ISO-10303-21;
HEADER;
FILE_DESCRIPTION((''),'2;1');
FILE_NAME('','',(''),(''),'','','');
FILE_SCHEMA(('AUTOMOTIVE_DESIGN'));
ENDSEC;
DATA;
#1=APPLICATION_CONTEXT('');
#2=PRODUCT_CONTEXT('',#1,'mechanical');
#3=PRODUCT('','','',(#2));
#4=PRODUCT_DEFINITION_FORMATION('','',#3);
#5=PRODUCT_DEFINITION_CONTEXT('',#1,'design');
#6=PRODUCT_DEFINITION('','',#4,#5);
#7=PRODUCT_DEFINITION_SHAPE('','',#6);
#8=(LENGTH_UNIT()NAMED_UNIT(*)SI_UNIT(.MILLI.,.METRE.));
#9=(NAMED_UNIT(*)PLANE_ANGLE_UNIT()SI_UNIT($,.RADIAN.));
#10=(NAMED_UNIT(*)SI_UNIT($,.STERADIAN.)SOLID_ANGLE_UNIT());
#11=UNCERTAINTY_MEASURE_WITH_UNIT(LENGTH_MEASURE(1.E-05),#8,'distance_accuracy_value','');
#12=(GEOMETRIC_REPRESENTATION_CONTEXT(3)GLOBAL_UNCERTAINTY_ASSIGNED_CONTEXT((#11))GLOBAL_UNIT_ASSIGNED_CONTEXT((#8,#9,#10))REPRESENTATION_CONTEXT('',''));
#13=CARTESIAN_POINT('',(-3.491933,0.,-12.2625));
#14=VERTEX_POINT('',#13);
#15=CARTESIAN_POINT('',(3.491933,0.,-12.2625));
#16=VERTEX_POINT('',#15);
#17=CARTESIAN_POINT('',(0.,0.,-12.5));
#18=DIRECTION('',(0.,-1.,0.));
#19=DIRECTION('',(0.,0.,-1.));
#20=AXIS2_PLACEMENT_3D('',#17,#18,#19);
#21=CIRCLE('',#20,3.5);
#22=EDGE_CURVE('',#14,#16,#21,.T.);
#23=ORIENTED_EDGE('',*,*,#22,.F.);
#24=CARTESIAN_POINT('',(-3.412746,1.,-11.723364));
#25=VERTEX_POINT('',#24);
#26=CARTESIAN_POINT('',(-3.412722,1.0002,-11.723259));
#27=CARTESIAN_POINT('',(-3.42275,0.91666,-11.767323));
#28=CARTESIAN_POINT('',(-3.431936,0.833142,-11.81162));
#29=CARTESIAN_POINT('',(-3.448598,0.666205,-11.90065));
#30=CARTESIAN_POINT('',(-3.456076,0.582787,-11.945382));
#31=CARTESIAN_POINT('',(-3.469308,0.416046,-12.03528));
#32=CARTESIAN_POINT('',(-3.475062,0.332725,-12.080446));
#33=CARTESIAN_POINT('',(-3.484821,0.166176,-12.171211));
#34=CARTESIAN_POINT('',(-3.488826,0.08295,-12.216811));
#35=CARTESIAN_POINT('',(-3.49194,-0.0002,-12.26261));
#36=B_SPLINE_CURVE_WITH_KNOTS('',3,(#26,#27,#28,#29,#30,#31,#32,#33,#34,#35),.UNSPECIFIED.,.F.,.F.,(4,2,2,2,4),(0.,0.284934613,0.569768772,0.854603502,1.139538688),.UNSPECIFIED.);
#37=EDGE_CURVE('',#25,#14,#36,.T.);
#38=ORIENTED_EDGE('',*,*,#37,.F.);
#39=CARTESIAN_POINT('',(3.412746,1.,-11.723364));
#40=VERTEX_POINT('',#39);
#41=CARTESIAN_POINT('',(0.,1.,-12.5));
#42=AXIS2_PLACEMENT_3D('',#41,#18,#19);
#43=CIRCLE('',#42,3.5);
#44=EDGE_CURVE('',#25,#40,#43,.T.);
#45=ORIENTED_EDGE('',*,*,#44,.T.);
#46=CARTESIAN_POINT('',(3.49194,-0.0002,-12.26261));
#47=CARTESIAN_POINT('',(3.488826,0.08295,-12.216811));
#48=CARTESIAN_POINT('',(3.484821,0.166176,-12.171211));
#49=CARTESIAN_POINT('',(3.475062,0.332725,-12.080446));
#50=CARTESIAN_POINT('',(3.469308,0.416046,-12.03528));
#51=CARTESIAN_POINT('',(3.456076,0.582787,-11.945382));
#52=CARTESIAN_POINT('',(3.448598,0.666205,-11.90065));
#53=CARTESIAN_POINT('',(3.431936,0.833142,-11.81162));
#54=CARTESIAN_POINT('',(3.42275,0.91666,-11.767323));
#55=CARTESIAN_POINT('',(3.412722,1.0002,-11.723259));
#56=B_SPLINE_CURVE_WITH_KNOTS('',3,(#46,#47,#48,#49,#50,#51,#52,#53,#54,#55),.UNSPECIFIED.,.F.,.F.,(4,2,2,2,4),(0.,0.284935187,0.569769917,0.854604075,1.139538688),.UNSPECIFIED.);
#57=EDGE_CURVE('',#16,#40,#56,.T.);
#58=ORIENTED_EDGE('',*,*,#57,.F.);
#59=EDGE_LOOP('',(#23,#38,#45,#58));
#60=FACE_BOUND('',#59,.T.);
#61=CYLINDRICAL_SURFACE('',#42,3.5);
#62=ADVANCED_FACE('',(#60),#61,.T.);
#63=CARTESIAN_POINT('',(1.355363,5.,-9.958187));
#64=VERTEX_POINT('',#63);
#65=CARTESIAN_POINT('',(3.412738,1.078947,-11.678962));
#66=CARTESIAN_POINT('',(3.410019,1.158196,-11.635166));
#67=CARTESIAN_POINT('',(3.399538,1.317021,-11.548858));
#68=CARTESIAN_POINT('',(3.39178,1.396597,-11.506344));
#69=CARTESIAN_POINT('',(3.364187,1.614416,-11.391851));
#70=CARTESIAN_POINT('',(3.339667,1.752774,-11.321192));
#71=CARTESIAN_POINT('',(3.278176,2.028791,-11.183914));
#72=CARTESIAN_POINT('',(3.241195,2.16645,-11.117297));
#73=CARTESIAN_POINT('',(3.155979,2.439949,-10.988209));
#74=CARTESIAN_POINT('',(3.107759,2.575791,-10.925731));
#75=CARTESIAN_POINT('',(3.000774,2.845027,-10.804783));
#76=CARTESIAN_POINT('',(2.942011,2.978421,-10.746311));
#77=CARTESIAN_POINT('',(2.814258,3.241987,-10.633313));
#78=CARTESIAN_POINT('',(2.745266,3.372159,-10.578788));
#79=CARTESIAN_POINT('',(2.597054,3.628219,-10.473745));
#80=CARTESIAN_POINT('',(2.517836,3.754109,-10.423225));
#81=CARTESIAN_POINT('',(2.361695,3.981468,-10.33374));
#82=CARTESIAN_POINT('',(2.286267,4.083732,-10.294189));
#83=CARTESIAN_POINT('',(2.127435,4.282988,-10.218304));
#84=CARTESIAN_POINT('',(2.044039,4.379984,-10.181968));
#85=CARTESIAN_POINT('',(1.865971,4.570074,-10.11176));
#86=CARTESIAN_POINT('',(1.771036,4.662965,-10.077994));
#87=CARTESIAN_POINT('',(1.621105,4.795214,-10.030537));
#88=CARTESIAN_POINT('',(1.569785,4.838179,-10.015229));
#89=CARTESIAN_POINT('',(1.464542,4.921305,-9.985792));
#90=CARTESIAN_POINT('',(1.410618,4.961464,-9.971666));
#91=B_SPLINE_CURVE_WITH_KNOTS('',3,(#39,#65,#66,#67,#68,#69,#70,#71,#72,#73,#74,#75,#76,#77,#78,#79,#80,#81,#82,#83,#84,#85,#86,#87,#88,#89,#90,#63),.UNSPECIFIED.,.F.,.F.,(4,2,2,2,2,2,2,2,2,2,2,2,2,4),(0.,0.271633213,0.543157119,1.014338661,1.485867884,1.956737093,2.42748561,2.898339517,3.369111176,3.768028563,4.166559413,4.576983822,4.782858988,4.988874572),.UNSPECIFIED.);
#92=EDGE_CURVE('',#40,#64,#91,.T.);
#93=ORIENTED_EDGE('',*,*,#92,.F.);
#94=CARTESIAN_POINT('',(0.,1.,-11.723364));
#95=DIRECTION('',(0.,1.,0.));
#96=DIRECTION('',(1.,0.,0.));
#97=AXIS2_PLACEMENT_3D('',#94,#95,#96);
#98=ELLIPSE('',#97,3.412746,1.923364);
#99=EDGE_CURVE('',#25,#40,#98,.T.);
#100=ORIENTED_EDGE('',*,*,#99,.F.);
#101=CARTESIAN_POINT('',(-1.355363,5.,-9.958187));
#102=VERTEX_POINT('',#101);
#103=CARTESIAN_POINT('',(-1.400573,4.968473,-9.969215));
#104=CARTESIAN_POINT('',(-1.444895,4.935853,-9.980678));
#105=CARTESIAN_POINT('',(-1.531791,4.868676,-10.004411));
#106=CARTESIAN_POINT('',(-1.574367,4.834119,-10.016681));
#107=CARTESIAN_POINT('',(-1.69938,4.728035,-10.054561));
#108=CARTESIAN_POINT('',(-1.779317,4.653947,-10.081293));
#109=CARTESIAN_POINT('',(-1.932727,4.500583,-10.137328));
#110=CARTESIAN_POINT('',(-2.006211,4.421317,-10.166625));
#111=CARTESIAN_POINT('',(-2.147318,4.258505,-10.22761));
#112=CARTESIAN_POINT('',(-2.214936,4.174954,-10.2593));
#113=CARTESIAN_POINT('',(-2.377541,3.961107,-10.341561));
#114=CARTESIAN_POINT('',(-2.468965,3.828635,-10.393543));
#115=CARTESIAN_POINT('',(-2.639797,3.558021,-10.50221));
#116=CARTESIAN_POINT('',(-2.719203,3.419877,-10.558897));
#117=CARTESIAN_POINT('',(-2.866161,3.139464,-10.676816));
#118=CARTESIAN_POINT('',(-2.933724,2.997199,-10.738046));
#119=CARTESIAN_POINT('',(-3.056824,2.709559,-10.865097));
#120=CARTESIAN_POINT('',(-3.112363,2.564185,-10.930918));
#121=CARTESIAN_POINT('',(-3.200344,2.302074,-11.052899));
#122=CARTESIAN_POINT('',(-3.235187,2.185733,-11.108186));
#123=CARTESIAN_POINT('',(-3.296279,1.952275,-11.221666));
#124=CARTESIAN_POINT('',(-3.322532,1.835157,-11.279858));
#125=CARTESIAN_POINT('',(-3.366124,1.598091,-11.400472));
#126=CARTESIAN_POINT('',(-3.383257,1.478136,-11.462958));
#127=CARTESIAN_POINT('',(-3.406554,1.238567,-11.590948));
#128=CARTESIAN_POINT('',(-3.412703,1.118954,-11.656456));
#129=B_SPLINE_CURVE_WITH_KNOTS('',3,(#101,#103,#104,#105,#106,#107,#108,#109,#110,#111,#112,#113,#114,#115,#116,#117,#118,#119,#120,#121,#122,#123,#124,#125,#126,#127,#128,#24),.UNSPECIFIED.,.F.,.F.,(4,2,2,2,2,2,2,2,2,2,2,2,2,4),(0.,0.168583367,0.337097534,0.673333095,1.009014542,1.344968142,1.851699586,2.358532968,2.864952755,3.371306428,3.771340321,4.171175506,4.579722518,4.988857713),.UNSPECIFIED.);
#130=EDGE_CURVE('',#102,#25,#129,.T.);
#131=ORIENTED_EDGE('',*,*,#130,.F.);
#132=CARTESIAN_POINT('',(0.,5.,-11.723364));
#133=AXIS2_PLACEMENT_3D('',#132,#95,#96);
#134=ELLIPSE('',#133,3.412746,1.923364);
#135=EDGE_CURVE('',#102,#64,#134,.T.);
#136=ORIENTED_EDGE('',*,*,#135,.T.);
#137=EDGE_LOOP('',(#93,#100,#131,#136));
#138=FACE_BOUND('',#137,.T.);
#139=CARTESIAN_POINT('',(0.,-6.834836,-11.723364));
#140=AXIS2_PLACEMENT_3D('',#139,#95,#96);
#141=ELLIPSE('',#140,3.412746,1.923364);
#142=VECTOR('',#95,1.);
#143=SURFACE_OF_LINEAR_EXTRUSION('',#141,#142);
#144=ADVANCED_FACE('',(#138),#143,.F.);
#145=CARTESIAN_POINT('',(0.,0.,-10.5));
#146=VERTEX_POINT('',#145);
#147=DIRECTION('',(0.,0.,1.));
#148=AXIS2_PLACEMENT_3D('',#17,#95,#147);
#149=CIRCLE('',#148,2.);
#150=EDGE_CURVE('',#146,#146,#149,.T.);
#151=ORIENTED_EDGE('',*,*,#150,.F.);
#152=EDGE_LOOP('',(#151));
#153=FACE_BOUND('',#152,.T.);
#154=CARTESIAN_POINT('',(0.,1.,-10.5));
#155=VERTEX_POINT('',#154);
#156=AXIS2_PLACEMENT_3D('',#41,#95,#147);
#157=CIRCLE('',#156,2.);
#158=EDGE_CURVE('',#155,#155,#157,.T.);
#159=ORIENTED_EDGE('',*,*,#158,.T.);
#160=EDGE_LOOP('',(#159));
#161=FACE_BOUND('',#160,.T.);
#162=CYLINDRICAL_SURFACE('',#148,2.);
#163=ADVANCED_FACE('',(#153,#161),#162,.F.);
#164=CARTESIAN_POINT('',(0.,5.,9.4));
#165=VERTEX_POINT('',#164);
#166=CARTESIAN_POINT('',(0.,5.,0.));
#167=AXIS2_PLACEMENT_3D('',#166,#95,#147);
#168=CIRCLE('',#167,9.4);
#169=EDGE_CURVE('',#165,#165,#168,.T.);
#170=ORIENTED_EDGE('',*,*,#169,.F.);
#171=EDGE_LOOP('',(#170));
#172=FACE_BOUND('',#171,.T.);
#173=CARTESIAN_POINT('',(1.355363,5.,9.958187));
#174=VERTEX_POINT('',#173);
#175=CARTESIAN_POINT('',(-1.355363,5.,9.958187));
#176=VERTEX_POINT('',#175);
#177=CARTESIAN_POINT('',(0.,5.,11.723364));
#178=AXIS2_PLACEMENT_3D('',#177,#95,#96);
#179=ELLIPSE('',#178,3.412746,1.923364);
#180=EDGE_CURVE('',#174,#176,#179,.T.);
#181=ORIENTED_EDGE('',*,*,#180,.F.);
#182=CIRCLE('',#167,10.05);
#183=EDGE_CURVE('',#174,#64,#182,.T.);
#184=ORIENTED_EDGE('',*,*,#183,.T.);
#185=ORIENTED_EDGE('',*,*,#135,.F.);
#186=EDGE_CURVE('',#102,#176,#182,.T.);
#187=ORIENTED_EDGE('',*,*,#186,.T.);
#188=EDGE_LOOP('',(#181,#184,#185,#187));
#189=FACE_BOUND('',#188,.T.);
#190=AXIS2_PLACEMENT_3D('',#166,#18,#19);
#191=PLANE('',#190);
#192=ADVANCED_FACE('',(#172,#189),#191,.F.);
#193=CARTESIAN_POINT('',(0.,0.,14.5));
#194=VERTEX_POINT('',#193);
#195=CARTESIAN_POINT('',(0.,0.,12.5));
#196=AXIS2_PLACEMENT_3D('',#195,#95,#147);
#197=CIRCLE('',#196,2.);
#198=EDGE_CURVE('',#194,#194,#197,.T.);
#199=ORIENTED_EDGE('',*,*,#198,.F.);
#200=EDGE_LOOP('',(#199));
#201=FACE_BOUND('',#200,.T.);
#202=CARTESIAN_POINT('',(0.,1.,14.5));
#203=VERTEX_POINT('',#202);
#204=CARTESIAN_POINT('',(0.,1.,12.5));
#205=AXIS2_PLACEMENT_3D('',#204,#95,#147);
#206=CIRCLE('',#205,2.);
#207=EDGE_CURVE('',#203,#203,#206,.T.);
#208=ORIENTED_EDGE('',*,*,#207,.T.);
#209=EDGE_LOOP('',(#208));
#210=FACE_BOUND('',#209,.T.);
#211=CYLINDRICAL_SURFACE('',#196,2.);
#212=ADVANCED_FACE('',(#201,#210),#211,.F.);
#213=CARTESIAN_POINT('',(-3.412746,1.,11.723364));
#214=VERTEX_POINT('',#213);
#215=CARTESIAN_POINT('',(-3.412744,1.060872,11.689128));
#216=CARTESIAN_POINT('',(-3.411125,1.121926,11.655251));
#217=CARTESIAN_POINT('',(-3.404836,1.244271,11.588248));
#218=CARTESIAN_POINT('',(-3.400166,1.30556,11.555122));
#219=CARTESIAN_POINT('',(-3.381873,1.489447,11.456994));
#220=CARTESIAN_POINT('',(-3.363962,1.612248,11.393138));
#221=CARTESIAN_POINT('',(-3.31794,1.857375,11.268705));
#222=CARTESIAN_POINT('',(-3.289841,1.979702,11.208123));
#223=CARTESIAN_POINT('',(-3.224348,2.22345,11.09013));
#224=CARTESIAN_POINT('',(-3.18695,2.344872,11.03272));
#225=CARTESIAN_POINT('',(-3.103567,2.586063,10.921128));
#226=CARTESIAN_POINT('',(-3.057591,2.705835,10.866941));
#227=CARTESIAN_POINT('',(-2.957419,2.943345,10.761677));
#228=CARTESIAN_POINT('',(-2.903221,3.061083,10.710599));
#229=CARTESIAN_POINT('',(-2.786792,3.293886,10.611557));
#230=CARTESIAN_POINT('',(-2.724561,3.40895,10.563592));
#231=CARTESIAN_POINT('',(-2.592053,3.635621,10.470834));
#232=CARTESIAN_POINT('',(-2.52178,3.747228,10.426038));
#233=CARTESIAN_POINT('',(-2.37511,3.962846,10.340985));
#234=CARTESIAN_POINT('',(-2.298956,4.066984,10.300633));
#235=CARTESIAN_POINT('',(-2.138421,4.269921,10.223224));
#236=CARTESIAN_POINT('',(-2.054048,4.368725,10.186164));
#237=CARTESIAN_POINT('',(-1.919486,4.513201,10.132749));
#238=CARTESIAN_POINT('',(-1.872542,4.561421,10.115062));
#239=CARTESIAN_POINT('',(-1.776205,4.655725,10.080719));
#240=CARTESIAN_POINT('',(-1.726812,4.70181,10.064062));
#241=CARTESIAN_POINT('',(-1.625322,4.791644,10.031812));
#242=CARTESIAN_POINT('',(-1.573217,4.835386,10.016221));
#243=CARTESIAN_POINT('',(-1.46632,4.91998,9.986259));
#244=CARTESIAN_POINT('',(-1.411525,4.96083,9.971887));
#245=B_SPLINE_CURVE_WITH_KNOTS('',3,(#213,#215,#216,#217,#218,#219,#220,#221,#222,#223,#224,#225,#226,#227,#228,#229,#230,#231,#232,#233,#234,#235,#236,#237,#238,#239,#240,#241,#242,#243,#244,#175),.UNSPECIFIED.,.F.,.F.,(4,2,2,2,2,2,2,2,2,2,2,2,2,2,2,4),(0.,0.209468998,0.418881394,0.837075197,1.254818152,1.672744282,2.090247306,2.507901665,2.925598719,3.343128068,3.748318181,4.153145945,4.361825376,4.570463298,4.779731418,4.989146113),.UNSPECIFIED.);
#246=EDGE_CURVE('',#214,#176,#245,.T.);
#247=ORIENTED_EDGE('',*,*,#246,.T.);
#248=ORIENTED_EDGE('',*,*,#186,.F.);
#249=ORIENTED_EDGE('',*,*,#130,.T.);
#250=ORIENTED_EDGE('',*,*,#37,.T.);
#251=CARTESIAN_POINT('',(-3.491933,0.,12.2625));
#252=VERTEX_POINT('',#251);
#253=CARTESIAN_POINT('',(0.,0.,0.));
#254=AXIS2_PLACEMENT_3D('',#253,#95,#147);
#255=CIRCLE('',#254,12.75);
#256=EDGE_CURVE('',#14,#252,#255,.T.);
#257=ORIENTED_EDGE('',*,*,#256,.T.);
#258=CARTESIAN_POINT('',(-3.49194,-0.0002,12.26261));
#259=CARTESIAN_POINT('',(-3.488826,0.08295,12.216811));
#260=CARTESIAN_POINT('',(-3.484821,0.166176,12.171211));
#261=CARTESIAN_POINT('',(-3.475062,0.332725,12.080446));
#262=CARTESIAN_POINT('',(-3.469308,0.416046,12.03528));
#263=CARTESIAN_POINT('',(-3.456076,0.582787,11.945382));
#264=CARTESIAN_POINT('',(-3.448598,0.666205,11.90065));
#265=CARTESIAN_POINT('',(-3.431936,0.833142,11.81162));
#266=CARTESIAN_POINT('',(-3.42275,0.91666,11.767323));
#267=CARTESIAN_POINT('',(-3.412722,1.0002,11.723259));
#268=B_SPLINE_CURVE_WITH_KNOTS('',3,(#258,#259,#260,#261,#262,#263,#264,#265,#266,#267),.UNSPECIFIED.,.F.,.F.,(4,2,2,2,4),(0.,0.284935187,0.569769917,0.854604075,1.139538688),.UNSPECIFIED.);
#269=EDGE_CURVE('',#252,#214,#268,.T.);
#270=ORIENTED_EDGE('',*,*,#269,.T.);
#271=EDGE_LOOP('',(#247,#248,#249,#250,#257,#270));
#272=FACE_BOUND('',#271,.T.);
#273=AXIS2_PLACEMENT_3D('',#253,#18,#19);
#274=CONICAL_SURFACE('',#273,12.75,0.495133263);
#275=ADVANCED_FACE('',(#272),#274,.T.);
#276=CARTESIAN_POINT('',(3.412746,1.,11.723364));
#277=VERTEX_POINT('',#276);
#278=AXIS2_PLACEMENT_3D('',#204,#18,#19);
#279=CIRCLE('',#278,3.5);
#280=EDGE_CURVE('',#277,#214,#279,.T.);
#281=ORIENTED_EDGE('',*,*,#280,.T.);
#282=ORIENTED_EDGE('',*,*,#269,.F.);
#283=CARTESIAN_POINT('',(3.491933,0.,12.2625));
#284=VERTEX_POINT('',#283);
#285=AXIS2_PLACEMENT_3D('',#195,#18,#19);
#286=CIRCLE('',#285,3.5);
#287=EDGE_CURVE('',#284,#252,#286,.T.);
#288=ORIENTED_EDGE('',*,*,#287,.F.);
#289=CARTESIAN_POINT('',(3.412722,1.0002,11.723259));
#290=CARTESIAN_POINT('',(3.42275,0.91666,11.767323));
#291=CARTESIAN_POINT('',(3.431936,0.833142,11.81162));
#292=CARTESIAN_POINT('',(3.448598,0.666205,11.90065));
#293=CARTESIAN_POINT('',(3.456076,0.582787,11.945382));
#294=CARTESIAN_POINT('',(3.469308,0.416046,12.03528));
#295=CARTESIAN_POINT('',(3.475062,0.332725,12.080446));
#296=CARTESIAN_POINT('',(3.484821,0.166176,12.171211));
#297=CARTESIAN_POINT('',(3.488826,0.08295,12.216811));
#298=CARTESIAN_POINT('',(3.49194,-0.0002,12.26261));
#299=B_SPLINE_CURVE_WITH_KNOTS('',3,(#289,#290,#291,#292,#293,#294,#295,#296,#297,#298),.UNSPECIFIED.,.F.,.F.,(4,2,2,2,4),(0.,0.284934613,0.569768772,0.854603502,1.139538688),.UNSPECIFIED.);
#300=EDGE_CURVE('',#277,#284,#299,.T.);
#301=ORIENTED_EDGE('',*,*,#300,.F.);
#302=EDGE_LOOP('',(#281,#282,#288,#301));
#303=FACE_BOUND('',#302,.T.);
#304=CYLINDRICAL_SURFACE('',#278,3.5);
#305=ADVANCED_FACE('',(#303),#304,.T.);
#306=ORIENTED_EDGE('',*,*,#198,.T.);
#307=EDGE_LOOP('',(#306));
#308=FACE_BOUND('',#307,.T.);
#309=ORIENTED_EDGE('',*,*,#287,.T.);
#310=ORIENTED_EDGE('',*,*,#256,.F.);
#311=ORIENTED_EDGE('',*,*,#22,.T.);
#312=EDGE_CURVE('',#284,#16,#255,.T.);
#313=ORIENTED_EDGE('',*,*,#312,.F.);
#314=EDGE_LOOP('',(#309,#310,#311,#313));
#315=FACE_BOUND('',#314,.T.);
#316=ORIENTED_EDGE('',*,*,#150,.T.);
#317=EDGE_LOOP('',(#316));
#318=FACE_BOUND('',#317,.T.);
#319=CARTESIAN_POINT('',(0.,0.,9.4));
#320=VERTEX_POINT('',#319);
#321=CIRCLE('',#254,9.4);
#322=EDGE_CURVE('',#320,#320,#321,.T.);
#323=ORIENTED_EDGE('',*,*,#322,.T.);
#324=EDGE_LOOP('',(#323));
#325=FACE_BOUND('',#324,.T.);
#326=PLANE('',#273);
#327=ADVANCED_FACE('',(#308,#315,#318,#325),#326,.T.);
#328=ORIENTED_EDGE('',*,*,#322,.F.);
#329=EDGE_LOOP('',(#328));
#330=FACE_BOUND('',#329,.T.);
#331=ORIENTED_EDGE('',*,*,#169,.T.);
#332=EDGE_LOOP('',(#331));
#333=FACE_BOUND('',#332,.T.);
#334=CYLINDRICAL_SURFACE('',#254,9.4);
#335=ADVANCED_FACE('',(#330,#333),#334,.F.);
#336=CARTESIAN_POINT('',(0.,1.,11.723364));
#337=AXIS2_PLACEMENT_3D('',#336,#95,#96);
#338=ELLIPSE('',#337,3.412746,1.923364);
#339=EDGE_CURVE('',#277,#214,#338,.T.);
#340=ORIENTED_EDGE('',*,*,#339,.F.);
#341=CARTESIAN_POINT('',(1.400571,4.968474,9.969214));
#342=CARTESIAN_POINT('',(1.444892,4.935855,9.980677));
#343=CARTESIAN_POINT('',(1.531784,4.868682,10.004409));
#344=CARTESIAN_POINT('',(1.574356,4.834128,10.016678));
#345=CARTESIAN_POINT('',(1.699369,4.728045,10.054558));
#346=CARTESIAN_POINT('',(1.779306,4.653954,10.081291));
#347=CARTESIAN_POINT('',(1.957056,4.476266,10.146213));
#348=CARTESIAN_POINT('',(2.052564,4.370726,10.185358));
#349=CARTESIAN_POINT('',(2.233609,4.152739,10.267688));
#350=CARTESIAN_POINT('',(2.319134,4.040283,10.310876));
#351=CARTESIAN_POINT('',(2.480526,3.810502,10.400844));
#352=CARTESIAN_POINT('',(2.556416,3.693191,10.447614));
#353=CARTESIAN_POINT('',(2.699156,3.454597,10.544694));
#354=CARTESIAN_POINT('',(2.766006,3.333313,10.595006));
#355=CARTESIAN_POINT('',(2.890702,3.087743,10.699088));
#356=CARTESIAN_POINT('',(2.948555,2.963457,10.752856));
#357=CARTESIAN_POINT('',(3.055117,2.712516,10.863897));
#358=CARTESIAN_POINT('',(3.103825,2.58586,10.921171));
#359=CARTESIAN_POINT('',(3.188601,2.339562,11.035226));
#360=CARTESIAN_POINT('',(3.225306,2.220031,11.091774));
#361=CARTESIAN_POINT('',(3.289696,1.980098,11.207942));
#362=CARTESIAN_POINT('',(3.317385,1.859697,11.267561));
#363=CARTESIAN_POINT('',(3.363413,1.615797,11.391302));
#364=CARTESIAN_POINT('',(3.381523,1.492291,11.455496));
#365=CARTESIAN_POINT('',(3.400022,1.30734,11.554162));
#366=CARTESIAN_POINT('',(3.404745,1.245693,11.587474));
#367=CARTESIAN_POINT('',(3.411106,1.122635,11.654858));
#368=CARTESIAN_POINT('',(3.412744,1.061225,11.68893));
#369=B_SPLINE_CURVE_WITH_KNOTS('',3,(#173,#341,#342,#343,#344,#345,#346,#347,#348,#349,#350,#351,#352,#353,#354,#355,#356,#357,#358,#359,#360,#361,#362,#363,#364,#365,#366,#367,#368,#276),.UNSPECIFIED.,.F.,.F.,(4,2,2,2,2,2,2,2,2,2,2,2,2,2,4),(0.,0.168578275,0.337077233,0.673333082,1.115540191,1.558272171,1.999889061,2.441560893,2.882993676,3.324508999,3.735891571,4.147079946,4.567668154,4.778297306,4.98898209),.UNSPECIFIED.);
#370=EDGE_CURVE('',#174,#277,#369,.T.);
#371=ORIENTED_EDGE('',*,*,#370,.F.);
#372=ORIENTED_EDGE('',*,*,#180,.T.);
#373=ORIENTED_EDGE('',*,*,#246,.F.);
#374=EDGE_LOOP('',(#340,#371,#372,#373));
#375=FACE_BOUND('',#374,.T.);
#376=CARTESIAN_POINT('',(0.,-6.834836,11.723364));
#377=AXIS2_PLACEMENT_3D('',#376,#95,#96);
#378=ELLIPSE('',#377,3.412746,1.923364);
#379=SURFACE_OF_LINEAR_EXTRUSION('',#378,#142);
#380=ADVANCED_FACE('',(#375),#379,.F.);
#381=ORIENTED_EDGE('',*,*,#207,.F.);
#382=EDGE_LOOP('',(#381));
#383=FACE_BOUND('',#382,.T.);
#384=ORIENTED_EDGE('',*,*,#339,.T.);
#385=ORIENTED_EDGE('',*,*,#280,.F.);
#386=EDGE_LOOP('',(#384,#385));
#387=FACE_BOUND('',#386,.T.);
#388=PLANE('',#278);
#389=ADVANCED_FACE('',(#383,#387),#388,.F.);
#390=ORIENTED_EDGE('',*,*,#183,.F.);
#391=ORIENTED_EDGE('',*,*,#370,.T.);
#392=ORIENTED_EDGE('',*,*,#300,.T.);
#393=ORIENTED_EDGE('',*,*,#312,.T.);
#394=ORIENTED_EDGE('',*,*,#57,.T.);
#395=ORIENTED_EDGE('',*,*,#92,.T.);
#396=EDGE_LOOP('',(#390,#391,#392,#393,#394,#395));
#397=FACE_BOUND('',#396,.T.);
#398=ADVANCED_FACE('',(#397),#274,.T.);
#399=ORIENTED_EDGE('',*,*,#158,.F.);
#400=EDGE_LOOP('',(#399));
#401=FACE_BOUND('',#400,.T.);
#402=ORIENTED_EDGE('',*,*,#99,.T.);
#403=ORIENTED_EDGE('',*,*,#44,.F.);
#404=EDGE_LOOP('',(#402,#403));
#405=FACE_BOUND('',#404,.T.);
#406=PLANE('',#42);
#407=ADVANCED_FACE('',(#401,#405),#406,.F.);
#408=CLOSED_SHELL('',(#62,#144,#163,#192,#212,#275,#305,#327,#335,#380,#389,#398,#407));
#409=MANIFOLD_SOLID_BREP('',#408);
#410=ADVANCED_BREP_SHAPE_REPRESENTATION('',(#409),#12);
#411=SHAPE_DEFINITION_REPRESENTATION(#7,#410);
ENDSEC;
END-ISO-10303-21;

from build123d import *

# Parameters (mm, degrees)
BOSS_EXTRU_1_DEPTH      = 5
ESQUISSE12_R            = 3.5
BOSS_EXTRU_2_DEPTH      = 1
ESQUISSE10_RX           = 3.412746185
ESQUISSE10_RY           = 1.923364
ENL_V_MAT_EXTRU_5_DEPTH = 4
ESQUISSE13_R            = 2
ENL_V_MAT_EXTRU_7_DEPTH = 21.846162874
ESQUISSE11_R            = 9.4
ENL_V_MAT_EXTRU_6_DEPTH = 22.060923692


with BuildPart() as part:
    # Esquisse1 → Boss.-Extru.1 (new body)
    with BuildSketch(Plane(origin=(0, 0, 0), x_dir=(1, 0, 0), z_dir=(0, 1, 0))):
        with BuildLine():
            ThreePointArc((-4.625, -8.010734985), (0, -9.25), (4.625, -8.010734985))
            ThreePointArc((4.625, -8.010734985), (9.25, 0), (4.625, 8.010734985))
            ThreePointArc((4.625, 8.010734985), (0, 9.25), (-4.625, 8.010734985))
            ThreePointArc((-4.625, 8.010734985), (-9.25, 0), (-4.625, -8.010734985))
        make_face()
    extrude(amount=BOSS_EXTRU_1_DEPTH)

    # Esquisse8 → Révolution1 (revolve)
    with BuildSketch(Plane.XY, mode=Mode.PRIVATE) as r_volution1_sk:
        Polygon((12.75, 0), (9.25, 0), (9.25, 5), (10.05, 5), align=None)
    revolve(r_volution1_sk.sketch.rotate(Axis((0, 6.978175321, 0), (0, -1, 0)), 90), axis=Axis((0, 6.978175321, 0), (0, -1, 0)))

    # Esquisse12 → Boss.-Extru.2 (add)
    with BuildSketch(Plane.XZ):
        with Locations((0, 12.5)):
            Circle(ESQUISSE12_R)
        with Locations((0, -12.5)):
            Circle(ESQUISSE12_R)
    extrude(amount=-BOSS_EXTRU_2_DEPTH)

    # Esquisse10 → Enlèv. mat.-Extru.5 (cut)
    with BuildSketch(Plane(origin=(0, 5, 0), x_dir=(1, 0, 0), z_dir=(0, 1, 0))):
        with Locations((0, 11.723364)):
            Ellipse(ESQUISSE10_RX, ESQUISSE10_RY)
        with Locations((0, -11.723364)):
            Ellipse(ESQUISSE10_RX, ESQUISSE10_RY)
    extrude(amount=-ENL_V_MAT_EXTRU_5_DEPTH, mode=Mode.SUBTRACT)

    # Esquisse13 → Enlèv. mat.-Extru.7 (cut, through all)
    with BuildSketch(Plane(origin=(0, 1, 0), x_dir=(1, 0, 0), z_dir=(0, 1, 0))):
        with Locations(Location((0, 12.5, 0), (0, 0, 270))):
            Circle(ESQUISSE13_R)
        with Locations(Location((0, -12.5, 0), (0, 0, 270))):
            Circle(ESQUISSE13_R)
    extrude(amount=-ENL_V_MAT_EXTRU_7_DEPTH, mode=Mode.SUBTRACT)

    # Esquisse11 → Enlèv. mat.-Extru.6 (cut, through all)
    with BuildSketch(Plane(origin=(0, 5, 0), x_dir=(1, 0, 0), z_dir=(0, 1, 0))):
        with Locations(Location((0, 0, 0), (0, 0, 270))):
            Circle(ESQUISSE11_R)
    extrude(amount=-ENL_V_MAT_EXTRU_6_DEPTH, mode=Mode.SUBTRACT)


solid = part.part
